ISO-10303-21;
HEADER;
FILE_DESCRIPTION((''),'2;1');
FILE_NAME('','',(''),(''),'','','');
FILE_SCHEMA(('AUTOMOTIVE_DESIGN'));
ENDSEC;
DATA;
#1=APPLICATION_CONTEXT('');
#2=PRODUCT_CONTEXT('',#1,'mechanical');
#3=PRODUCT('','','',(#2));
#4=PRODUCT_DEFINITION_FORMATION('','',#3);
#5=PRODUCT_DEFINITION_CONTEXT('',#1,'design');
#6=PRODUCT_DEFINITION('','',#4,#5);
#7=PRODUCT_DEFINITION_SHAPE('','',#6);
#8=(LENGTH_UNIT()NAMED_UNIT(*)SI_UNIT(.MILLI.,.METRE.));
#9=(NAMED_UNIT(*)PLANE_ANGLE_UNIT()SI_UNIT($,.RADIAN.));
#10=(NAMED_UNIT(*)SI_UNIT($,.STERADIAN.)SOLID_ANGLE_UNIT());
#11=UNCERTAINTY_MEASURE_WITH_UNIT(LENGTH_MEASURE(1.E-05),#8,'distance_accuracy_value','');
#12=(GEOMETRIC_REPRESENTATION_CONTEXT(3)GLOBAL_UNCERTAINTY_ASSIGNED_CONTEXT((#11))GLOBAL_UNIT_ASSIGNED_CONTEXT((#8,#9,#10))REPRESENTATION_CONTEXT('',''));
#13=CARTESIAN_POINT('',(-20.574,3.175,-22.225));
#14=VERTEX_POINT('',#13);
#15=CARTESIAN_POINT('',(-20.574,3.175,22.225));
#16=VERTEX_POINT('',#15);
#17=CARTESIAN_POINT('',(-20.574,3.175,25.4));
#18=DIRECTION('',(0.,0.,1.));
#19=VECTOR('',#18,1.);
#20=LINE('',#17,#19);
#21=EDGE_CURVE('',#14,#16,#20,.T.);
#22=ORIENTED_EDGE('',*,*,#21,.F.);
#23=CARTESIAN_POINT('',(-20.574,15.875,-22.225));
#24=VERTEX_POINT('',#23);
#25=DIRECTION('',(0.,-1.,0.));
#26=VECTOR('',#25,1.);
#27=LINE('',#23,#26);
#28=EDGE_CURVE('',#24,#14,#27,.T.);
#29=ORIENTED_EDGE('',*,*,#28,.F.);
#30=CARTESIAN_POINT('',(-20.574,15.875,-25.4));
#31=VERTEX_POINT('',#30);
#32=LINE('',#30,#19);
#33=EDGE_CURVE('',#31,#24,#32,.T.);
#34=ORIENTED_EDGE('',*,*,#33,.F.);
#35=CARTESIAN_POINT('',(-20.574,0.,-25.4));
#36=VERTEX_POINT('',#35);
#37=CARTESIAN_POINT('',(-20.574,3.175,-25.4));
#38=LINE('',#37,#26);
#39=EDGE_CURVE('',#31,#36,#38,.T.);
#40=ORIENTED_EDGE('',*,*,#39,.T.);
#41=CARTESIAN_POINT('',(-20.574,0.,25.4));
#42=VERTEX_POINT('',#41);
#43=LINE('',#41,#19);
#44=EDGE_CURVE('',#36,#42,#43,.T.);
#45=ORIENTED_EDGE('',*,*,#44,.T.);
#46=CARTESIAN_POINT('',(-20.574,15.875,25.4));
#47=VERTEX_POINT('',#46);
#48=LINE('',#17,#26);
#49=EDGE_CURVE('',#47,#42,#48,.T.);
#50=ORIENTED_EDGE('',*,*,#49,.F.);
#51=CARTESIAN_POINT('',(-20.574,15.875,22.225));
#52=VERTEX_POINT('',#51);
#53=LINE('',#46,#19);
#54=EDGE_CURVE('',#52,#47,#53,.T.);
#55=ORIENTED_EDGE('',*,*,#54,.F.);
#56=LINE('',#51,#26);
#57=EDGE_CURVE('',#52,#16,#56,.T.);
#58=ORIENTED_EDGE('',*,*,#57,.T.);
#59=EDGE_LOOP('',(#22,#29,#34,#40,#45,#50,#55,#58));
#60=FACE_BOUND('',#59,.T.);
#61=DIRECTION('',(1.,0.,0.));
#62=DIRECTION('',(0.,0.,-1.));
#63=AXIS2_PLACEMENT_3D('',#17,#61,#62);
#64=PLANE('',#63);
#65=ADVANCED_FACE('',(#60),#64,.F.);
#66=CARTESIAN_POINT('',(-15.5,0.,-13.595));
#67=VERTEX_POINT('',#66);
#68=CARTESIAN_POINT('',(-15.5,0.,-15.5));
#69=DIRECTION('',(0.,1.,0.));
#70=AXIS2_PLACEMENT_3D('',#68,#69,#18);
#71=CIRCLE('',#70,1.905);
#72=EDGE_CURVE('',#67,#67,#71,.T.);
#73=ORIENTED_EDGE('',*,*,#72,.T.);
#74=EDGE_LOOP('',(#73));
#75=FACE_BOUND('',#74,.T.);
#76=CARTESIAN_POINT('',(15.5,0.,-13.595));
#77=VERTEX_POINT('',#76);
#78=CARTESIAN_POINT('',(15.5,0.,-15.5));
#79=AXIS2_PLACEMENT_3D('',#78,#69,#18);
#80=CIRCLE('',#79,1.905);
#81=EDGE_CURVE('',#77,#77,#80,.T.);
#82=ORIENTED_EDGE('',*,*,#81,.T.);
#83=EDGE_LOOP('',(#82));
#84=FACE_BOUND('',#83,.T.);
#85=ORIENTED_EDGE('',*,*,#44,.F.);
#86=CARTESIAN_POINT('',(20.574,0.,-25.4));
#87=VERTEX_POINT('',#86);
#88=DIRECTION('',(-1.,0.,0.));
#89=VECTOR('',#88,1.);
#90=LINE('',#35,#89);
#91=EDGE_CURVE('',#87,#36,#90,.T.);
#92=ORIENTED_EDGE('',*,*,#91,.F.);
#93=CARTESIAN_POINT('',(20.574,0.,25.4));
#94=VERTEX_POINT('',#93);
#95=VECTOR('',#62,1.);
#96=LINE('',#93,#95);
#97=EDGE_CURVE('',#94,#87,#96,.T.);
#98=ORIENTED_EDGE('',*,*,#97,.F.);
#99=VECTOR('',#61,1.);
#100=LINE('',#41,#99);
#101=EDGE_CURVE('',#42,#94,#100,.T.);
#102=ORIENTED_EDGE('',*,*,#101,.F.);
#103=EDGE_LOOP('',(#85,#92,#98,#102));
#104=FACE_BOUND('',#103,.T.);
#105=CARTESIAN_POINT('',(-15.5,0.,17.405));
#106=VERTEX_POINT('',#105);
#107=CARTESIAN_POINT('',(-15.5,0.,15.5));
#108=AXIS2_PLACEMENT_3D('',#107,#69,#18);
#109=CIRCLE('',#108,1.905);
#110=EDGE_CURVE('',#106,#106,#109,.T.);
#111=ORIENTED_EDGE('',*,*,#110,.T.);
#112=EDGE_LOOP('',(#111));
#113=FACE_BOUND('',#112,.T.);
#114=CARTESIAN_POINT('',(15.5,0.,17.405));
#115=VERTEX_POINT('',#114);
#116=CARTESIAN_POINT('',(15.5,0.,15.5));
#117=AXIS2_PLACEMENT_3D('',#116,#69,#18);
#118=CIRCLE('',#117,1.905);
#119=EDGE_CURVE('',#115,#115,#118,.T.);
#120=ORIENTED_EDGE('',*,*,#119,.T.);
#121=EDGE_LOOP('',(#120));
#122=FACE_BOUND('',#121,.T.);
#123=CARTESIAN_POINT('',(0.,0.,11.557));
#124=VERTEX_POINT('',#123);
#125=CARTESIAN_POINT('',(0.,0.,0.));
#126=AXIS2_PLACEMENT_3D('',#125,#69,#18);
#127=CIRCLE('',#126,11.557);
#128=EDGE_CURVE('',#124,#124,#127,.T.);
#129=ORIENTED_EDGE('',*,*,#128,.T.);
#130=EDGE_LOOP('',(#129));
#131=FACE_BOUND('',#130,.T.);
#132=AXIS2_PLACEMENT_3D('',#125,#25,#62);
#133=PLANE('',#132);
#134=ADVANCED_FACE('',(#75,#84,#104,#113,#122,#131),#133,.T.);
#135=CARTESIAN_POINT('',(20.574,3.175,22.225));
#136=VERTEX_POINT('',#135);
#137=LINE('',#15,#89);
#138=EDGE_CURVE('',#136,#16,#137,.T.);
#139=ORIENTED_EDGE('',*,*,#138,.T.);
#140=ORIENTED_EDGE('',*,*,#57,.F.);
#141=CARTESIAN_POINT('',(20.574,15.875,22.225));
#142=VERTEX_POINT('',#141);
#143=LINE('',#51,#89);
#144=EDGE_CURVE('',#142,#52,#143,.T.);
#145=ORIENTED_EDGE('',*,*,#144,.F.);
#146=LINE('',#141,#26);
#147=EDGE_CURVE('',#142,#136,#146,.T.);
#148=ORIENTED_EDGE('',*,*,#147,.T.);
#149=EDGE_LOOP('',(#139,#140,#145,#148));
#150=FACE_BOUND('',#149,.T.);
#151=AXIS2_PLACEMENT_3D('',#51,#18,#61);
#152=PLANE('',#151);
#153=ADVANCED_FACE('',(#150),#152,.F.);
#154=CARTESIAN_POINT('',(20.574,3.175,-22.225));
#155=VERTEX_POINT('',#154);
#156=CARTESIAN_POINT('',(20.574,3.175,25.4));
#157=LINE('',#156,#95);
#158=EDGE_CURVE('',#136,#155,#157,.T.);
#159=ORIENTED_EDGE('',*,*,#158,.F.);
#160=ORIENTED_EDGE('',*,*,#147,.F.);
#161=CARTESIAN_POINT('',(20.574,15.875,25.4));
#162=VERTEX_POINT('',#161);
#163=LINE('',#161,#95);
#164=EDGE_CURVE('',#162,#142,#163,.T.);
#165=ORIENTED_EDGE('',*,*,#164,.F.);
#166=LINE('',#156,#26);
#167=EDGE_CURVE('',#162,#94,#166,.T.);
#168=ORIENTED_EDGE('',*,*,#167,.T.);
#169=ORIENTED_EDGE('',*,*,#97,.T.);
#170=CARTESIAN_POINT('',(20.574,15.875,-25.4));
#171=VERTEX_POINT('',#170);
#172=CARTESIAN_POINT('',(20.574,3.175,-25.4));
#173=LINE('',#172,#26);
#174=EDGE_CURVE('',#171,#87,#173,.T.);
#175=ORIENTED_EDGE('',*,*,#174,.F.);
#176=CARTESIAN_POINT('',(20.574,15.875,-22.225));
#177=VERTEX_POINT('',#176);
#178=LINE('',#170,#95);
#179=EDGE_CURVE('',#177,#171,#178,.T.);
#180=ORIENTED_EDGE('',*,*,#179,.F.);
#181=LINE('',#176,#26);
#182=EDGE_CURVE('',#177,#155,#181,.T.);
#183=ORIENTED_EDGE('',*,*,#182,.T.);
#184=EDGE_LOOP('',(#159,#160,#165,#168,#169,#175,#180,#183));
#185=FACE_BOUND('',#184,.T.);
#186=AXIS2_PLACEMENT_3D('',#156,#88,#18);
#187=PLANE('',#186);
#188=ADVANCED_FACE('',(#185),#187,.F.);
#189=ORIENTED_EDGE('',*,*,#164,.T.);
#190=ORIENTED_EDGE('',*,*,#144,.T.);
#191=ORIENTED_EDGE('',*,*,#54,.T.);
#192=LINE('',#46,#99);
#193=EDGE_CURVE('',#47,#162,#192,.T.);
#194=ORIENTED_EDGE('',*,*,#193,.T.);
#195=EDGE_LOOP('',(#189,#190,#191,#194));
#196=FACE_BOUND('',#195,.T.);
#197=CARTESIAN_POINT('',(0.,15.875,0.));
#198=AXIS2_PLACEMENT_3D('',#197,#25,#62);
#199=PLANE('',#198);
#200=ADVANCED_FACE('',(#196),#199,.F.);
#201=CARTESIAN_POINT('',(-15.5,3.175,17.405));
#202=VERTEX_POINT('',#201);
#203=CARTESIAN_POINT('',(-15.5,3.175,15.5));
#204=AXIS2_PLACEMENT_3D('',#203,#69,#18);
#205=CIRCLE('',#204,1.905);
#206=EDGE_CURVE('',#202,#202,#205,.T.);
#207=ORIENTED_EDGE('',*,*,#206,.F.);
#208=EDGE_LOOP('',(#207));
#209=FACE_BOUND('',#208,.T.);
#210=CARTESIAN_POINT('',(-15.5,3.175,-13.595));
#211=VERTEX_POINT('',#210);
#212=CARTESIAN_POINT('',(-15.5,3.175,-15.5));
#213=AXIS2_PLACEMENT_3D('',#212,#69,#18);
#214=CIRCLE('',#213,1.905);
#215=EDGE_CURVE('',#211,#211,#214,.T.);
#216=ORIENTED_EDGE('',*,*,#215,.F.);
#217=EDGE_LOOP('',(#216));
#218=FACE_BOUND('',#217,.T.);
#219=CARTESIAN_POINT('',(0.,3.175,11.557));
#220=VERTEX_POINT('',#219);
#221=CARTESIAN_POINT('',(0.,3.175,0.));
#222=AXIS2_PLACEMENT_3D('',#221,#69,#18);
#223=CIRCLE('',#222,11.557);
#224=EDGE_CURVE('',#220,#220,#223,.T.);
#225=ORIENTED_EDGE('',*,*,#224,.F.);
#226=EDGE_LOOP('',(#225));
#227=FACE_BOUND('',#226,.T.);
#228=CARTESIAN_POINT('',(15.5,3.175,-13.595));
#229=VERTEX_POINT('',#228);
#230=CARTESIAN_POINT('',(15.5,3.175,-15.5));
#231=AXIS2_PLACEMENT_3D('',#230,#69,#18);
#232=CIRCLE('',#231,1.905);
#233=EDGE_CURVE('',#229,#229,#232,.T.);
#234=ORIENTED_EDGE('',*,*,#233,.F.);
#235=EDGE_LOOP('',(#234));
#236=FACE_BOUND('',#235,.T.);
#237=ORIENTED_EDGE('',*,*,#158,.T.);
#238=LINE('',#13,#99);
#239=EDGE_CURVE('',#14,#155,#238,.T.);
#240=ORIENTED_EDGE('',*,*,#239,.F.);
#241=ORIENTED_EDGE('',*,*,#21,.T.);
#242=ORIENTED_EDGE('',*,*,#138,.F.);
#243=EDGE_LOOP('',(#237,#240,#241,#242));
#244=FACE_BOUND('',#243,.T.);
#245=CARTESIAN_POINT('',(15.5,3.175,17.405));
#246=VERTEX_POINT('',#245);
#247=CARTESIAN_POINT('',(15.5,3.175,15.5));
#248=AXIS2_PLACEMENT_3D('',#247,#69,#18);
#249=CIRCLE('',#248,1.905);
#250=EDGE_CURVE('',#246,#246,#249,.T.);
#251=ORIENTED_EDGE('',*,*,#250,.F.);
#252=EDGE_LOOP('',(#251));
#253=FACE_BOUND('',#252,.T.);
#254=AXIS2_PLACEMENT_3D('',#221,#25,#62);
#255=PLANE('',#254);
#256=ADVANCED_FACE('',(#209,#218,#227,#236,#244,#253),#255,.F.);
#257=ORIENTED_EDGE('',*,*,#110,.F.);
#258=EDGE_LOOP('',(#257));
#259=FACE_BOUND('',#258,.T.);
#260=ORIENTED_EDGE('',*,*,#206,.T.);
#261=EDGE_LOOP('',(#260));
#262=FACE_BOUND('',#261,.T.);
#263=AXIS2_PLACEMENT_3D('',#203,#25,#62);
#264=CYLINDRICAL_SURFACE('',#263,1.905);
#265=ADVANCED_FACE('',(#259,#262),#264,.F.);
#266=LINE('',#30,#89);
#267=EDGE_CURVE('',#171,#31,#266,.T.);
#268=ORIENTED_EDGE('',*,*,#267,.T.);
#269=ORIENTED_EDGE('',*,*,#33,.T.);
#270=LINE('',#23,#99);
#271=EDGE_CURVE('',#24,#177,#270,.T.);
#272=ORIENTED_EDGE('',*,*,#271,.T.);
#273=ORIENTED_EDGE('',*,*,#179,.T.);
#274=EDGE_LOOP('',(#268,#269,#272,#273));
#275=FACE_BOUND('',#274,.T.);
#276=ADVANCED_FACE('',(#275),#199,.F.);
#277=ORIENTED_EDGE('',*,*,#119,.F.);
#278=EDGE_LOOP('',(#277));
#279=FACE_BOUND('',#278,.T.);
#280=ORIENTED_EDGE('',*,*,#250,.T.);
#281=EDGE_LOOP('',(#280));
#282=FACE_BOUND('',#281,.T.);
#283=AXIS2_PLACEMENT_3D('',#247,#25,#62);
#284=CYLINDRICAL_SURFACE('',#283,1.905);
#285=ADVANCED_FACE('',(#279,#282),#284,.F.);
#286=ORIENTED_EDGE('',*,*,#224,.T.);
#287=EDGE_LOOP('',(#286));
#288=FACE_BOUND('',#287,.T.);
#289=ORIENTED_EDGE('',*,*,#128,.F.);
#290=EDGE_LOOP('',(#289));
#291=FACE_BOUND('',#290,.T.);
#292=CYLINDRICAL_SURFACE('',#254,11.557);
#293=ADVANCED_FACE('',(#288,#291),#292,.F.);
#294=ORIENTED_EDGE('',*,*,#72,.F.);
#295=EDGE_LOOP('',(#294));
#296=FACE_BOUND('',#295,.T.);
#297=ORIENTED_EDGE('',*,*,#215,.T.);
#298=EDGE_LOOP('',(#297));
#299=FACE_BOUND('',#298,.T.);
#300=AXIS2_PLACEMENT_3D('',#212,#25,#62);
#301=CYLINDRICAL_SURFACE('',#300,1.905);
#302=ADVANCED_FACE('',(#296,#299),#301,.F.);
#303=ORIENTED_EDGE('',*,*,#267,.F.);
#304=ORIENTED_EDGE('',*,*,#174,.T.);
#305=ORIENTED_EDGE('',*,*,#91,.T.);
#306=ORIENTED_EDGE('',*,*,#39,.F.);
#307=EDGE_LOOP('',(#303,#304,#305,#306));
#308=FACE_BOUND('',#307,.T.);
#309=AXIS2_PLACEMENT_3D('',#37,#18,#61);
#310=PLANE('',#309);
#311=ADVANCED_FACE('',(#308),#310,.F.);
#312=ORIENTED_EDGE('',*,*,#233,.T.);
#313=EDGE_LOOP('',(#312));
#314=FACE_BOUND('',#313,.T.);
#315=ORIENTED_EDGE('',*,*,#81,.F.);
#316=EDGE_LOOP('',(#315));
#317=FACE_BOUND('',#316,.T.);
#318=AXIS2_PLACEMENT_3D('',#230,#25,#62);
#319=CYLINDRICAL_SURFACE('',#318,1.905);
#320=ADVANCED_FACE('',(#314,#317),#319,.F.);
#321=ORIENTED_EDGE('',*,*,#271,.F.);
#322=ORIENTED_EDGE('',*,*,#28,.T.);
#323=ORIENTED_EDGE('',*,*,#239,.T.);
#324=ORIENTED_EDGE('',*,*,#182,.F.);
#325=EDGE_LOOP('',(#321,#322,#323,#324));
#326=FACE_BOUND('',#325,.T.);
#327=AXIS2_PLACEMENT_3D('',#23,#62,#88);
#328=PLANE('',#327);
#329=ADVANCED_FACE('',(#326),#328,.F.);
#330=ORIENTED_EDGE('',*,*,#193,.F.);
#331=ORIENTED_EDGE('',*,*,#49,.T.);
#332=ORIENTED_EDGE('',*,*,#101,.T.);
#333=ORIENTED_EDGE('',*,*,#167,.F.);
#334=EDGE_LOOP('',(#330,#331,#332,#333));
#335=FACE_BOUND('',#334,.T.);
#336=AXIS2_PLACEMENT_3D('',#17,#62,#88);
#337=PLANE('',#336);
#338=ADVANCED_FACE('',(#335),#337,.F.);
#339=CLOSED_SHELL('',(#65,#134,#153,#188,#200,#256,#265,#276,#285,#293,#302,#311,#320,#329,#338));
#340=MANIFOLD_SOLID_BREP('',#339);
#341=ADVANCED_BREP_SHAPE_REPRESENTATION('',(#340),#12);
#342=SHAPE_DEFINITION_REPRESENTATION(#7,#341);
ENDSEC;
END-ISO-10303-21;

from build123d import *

# Parameters (mm, degrees)
SKETCH1_W           = 41.148
SKETCH1_H           = 50.8
SKETCH1_R           = 11.557
SKETCH1_R_2         = 1.905
BOSS_EXTRUDE1_DEPTH = 3.175
SKETCH2_W           = 41.148
SKETCH2_H           = 3.175
BOSS_EXTRUDE2_DEPTH = 12.7


with BuildPart() as part:
    # Sketch1 → Boss-Extrude1 (new body)
    with BuildSketch(Plane(origin=(0, 0, 0), x_dir=(1, 0, 0), z_dir=(0, 1, 0))):
        Rectangle(SKETCH1_W, SKETCH1_H)
        with Locations(Location((0, 0, 0), (0, 0, 270))):
            Circle(SKETCH1_R, mode=Mode.SUBTRACT)
        with Locations(Location((-15.499999988, 15.499999988, 0), (0, 0, 270))):
            Circle(SKETCH1_R_2, mode=Mode.SUBTRACT)
        with Locations(Location((15.499999988, 15.499999988, 0), (0, 0, 270))):
            Circle(SKETCH1_R_2, mode=Mode.SUBTRACT)
        with Locations(Location((15.499999988, -15.499999988, 0), (0, 0, 270))):
            Circle(SKETCH1_R_2, mode=Mode.SUBTRACT)
        with Locations(Location((-15.499999988, -15.499999988, 0), (0, 0, 270))):
            Circle(SKETCH1_R_2, mode=Mode.SUBTRACT)
    extrude(amount=BOSS_EXTRUDE1_DEPTH)

    # Sketch2 → Boss-Extrude2 (add)
    with BuildSketch(Plane(origin=(0, 3.175, 0), x_dir=(1, 0, 0), z_dir=(0, 1, 0))):
        with Locations((0, -23.8125)):
            Rectangle(SKETCH2_W, SKETCH2_H)
        with Locations((0, 23.8125)):
            Rectangle(SKETCH2_W, SKETCH2_H)
    extrude(amount=BOSS_EXTRUDE2_DEPTH)


solid = part.part
